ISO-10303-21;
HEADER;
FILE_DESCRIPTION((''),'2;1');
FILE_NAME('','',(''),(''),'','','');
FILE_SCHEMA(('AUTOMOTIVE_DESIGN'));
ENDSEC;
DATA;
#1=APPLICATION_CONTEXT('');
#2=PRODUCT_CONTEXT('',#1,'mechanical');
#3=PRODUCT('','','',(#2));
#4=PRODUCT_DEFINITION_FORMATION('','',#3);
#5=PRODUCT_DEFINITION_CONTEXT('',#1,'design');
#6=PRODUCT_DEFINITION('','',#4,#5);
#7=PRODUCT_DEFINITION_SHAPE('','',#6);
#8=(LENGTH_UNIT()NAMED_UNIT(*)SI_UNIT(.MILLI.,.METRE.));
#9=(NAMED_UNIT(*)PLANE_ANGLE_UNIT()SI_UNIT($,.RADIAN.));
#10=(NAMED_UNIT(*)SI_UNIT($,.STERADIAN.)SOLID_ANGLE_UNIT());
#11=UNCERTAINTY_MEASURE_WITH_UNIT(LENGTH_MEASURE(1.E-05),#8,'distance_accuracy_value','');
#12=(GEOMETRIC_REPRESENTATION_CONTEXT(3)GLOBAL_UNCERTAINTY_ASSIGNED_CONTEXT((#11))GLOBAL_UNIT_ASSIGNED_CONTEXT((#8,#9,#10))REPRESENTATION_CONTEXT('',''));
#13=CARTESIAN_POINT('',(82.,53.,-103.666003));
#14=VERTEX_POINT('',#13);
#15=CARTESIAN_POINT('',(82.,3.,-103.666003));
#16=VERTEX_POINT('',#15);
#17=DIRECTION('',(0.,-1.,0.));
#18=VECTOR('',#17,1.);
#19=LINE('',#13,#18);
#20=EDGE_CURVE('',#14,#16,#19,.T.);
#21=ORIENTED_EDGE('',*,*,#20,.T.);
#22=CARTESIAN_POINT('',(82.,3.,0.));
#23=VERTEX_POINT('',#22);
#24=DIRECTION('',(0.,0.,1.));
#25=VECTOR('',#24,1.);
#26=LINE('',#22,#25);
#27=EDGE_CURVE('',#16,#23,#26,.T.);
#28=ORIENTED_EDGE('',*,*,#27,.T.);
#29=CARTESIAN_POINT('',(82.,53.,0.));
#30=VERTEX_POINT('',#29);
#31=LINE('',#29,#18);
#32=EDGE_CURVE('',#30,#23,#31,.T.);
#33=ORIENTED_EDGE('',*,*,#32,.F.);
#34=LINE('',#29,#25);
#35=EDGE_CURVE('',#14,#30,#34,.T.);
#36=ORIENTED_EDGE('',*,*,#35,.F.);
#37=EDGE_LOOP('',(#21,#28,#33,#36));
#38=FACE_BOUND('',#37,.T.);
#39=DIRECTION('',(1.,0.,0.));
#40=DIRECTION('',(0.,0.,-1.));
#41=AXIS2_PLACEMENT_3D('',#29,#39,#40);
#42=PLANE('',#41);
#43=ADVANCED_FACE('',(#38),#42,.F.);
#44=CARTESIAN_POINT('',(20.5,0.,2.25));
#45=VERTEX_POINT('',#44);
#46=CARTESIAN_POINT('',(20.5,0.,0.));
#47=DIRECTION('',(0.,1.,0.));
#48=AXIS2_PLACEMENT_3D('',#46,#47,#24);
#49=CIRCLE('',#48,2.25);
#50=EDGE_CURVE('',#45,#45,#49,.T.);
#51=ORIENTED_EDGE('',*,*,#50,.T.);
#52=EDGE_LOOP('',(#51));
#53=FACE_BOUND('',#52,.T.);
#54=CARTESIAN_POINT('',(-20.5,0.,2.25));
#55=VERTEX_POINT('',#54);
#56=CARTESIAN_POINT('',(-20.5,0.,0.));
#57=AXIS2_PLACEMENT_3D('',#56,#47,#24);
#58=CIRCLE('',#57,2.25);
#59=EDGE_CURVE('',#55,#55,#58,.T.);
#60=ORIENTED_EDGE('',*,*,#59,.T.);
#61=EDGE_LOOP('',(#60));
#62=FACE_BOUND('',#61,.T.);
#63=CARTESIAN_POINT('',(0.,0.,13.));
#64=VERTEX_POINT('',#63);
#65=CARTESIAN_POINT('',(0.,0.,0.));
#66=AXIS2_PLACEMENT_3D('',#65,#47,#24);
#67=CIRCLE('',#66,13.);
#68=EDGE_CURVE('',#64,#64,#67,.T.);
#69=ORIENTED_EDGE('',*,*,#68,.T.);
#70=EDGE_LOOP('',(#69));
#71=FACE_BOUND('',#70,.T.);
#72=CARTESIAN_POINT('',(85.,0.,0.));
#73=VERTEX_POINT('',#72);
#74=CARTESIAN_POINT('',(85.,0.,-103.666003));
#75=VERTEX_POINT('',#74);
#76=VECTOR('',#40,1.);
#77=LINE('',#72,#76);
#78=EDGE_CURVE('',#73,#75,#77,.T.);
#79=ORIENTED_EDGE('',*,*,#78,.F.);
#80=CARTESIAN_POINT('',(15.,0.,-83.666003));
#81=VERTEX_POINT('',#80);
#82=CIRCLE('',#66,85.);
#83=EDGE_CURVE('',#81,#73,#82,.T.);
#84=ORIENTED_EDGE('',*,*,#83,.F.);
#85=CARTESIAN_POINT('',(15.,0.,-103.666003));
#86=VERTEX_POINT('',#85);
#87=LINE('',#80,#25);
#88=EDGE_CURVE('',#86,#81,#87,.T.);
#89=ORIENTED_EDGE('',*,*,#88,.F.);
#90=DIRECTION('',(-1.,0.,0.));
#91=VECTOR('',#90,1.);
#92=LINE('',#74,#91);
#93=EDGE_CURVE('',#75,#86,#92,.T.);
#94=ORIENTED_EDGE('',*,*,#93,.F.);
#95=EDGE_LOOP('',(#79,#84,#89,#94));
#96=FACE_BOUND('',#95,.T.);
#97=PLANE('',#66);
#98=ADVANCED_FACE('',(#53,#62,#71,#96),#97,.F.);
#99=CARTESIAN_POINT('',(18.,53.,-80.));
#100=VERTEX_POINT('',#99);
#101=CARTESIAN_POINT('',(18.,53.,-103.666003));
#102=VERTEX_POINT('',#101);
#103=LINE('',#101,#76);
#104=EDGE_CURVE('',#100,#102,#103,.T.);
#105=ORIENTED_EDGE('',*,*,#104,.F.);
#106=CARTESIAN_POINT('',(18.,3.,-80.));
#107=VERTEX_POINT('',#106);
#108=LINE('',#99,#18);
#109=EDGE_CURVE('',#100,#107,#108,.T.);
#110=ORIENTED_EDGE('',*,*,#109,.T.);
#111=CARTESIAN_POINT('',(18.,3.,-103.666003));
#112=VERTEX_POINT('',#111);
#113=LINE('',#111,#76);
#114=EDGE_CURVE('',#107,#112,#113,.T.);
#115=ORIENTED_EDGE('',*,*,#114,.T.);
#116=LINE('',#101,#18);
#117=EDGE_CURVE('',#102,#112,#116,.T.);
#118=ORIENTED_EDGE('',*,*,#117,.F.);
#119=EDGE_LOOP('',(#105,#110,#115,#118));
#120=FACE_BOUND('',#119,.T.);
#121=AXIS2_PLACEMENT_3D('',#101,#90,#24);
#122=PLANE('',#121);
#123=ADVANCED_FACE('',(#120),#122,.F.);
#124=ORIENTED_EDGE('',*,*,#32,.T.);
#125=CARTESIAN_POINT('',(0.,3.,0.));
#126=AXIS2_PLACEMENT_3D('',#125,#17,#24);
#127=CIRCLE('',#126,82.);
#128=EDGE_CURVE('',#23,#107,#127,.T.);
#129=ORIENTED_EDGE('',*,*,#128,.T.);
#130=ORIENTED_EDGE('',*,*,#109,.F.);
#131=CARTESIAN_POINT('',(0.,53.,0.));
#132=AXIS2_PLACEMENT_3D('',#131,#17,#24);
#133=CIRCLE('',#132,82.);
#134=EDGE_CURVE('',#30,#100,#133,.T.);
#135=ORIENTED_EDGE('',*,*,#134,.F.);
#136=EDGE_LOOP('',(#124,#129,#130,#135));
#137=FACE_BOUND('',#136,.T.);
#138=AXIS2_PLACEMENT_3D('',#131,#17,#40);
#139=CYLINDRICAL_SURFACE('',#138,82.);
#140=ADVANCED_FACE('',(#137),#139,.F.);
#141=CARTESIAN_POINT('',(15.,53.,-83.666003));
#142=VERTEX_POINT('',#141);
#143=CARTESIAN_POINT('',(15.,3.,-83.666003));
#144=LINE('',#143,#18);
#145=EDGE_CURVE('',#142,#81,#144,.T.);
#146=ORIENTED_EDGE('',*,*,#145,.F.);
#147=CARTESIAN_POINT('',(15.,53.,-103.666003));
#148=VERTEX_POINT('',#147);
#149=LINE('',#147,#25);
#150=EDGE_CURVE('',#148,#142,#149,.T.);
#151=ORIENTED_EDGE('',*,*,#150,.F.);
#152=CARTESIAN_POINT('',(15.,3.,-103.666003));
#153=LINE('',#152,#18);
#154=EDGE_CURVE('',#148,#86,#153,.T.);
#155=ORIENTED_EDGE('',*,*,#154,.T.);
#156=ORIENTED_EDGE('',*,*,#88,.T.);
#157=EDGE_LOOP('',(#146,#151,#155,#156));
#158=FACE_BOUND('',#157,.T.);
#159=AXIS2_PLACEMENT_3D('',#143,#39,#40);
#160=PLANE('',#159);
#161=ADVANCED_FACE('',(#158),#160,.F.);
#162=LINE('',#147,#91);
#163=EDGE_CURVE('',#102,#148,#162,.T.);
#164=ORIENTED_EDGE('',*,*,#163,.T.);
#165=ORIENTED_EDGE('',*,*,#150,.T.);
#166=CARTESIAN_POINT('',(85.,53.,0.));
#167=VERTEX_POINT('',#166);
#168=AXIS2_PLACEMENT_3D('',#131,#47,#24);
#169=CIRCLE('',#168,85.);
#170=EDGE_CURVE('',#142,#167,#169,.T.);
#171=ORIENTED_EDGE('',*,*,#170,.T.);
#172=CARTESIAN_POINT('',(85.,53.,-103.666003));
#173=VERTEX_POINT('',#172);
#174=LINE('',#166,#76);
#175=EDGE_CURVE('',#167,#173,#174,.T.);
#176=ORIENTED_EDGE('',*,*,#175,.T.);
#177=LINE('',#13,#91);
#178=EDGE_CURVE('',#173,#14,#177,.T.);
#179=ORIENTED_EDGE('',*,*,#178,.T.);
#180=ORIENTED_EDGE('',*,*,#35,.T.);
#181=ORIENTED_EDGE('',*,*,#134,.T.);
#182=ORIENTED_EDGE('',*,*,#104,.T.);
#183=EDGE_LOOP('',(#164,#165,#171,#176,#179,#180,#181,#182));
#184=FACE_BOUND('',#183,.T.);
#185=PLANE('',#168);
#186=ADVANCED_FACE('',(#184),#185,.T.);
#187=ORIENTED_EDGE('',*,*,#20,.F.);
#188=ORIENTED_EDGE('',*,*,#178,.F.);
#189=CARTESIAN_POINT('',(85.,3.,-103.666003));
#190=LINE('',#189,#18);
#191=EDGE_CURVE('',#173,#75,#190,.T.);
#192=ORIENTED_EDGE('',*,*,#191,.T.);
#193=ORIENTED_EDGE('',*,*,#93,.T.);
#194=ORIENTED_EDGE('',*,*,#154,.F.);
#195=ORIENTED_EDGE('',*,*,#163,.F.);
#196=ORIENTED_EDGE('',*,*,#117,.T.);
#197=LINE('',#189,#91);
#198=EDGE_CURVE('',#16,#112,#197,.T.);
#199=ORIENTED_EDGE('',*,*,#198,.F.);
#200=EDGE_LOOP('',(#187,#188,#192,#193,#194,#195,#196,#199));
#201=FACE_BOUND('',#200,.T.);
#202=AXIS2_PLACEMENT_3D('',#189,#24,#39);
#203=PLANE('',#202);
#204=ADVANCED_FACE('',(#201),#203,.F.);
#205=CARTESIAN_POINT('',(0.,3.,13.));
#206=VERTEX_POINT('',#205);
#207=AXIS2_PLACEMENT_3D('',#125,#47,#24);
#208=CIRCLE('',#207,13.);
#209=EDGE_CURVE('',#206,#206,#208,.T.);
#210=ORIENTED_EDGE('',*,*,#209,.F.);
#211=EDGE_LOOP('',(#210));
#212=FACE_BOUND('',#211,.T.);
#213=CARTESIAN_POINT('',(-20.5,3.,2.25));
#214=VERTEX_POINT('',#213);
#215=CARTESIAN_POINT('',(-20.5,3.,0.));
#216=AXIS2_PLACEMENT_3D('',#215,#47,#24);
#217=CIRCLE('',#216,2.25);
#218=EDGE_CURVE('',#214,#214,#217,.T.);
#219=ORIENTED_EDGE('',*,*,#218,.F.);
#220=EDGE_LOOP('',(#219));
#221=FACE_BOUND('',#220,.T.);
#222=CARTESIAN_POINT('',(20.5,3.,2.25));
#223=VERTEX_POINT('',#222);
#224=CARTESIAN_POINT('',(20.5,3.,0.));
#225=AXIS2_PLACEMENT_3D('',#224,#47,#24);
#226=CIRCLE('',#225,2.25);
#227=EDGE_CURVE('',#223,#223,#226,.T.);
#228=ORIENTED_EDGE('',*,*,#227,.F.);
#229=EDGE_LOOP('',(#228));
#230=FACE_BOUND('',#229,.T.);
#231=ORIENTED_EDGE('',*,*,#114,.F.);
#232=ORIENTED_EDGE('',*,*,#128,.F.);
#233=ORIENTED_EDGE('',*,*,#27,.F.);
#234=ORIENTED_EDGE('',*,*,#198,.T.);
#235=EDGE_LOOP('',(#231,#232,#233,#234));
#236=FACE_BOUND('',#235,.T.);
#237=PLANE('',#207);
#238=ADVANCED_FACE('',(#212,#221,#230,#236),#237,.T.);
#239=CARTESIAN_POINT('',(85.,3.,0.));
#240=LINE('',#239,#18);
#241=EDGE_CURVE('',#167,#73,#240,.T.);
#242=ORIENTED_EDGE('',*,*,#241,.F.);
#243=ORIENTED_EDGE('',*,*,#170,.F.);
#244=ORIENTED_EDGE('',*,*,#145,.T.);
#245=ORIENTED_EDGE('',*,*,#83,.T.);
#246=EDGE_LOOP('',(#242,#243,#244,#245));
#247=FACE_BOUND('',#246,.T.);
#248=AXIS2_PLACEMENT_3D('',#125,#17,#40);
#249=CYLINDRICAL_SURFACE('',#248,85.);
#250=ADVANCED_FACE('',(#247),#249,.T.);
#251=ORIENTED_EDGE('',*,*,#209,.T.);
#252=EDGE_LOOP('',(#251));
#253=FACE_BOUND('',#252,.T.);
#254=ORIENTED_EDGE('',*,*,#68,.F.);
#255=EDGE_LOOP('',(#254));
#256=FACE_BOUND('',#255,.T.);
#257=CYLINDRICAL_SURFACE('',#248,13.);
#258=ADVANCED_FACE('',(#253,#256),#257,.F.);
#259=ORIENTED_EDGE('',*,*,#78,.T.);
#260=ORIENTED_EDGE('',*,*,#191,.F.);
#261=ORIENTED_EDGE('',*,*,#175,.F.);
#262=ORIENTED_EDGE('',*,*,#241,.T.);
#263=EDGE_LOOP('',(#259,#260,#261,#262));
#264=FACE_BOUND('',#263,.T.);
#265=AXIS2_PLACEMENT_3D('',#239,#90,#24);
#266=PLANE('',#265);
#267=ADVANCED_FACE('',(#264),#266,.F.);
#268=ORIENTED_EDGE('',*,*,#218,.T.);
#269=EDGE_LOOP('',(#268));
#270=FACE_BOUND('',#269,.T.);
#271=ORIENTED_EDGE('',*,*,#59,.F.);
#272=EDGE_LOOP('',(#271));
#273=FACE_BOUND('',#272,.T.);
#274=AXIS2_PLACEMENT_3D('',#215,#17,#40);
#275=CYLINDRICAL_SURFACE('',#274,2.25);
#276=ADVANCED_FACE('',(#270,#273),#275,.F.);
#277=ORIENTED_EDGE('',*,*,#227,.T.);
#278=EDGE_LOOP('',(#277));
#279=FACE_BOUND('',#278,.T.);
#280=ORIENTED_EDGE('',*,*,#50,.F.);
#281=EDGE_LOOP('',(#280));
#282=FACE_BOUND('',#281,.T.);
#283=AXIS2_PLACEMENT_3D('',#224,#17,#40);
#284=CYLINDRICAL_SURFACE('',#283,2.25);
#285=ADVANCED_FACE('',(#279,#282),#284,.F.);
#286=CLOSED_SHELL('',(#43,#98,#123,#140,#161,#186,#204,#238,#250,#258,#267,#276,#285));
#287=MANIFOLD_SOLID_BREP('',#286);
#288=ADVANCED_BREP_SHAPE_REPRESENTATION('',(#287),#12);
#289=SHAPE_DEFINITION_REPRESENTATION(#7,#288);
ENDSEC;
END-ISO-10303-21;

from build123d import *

# Parameters (mm, degrees)
SKETCH2_R           = 2.25
SKETCH2_R_2         = 13
BOSS_EXTRUDE1_DEPTH = 3
BOSS_EXTRUDE2_DEPTH = 50


with BuildPart() as part:
    # Sketch2 → Boss-Extrude1 (new body)
    with BuildSketch(Plane(origin=(0, 0, 0), x_dir=(1, 0, 0), z_dir=(0, 1, 0))):
        with BuildLine():
            Line((85, 0), (85, 103.666002653))
            Line((85, 103.666002653), (15, 103.666002653))
            Line((15, 103.666002653), (15, 83.666002653))
            ThreePointArc((15, 83.666002653), (-65.192024052, -54.543560573), (85, 0))
        make_face()
        with Locations((20.5, 0)):
            Circle(SKETCH2_R, mode=Mode.SUBTRACT)
        with Locations((-20.5, 0)):
            Circle(SKETCH2_R, mode=Mode.SUBTRACT)
        Circle(SKETCH2_R_2, mode=Mode.SUBTRACT)
    extrude(amount=BOSS_EXTRUDE1_DEPTH)

    # Sketch3 → Boss-Extrude2 (add)
    with BuildSketch(Plane(origin=(0, 3, 0), x_dir=(1, 0, 0), z_dir=(0, 1, 0))):
        with BuildLine():
            Line((15, 103.666002653), (18, 103.666002653))
            Line((18, 103.666002653), (18, 80))
            ThreePointArc((18, 80), (-64.031242374, -51.224993899), (82, 0))
            Line((82, 0), (82, 103.666002653))
            Line((82, 103.666002653), (85, 103.666002653))
            Line((85, 103.666002653), (85, 0))
            ThreePointArc((85, 0), (-65.192024052, -54.543560573), (15, 83.666002653))
            Line((15, 83.666002653), (15, 103.666002653))
        make_face()
    extrude(amount=BOSS_EXTRUDE2_DEPTH)


solid = part.part
